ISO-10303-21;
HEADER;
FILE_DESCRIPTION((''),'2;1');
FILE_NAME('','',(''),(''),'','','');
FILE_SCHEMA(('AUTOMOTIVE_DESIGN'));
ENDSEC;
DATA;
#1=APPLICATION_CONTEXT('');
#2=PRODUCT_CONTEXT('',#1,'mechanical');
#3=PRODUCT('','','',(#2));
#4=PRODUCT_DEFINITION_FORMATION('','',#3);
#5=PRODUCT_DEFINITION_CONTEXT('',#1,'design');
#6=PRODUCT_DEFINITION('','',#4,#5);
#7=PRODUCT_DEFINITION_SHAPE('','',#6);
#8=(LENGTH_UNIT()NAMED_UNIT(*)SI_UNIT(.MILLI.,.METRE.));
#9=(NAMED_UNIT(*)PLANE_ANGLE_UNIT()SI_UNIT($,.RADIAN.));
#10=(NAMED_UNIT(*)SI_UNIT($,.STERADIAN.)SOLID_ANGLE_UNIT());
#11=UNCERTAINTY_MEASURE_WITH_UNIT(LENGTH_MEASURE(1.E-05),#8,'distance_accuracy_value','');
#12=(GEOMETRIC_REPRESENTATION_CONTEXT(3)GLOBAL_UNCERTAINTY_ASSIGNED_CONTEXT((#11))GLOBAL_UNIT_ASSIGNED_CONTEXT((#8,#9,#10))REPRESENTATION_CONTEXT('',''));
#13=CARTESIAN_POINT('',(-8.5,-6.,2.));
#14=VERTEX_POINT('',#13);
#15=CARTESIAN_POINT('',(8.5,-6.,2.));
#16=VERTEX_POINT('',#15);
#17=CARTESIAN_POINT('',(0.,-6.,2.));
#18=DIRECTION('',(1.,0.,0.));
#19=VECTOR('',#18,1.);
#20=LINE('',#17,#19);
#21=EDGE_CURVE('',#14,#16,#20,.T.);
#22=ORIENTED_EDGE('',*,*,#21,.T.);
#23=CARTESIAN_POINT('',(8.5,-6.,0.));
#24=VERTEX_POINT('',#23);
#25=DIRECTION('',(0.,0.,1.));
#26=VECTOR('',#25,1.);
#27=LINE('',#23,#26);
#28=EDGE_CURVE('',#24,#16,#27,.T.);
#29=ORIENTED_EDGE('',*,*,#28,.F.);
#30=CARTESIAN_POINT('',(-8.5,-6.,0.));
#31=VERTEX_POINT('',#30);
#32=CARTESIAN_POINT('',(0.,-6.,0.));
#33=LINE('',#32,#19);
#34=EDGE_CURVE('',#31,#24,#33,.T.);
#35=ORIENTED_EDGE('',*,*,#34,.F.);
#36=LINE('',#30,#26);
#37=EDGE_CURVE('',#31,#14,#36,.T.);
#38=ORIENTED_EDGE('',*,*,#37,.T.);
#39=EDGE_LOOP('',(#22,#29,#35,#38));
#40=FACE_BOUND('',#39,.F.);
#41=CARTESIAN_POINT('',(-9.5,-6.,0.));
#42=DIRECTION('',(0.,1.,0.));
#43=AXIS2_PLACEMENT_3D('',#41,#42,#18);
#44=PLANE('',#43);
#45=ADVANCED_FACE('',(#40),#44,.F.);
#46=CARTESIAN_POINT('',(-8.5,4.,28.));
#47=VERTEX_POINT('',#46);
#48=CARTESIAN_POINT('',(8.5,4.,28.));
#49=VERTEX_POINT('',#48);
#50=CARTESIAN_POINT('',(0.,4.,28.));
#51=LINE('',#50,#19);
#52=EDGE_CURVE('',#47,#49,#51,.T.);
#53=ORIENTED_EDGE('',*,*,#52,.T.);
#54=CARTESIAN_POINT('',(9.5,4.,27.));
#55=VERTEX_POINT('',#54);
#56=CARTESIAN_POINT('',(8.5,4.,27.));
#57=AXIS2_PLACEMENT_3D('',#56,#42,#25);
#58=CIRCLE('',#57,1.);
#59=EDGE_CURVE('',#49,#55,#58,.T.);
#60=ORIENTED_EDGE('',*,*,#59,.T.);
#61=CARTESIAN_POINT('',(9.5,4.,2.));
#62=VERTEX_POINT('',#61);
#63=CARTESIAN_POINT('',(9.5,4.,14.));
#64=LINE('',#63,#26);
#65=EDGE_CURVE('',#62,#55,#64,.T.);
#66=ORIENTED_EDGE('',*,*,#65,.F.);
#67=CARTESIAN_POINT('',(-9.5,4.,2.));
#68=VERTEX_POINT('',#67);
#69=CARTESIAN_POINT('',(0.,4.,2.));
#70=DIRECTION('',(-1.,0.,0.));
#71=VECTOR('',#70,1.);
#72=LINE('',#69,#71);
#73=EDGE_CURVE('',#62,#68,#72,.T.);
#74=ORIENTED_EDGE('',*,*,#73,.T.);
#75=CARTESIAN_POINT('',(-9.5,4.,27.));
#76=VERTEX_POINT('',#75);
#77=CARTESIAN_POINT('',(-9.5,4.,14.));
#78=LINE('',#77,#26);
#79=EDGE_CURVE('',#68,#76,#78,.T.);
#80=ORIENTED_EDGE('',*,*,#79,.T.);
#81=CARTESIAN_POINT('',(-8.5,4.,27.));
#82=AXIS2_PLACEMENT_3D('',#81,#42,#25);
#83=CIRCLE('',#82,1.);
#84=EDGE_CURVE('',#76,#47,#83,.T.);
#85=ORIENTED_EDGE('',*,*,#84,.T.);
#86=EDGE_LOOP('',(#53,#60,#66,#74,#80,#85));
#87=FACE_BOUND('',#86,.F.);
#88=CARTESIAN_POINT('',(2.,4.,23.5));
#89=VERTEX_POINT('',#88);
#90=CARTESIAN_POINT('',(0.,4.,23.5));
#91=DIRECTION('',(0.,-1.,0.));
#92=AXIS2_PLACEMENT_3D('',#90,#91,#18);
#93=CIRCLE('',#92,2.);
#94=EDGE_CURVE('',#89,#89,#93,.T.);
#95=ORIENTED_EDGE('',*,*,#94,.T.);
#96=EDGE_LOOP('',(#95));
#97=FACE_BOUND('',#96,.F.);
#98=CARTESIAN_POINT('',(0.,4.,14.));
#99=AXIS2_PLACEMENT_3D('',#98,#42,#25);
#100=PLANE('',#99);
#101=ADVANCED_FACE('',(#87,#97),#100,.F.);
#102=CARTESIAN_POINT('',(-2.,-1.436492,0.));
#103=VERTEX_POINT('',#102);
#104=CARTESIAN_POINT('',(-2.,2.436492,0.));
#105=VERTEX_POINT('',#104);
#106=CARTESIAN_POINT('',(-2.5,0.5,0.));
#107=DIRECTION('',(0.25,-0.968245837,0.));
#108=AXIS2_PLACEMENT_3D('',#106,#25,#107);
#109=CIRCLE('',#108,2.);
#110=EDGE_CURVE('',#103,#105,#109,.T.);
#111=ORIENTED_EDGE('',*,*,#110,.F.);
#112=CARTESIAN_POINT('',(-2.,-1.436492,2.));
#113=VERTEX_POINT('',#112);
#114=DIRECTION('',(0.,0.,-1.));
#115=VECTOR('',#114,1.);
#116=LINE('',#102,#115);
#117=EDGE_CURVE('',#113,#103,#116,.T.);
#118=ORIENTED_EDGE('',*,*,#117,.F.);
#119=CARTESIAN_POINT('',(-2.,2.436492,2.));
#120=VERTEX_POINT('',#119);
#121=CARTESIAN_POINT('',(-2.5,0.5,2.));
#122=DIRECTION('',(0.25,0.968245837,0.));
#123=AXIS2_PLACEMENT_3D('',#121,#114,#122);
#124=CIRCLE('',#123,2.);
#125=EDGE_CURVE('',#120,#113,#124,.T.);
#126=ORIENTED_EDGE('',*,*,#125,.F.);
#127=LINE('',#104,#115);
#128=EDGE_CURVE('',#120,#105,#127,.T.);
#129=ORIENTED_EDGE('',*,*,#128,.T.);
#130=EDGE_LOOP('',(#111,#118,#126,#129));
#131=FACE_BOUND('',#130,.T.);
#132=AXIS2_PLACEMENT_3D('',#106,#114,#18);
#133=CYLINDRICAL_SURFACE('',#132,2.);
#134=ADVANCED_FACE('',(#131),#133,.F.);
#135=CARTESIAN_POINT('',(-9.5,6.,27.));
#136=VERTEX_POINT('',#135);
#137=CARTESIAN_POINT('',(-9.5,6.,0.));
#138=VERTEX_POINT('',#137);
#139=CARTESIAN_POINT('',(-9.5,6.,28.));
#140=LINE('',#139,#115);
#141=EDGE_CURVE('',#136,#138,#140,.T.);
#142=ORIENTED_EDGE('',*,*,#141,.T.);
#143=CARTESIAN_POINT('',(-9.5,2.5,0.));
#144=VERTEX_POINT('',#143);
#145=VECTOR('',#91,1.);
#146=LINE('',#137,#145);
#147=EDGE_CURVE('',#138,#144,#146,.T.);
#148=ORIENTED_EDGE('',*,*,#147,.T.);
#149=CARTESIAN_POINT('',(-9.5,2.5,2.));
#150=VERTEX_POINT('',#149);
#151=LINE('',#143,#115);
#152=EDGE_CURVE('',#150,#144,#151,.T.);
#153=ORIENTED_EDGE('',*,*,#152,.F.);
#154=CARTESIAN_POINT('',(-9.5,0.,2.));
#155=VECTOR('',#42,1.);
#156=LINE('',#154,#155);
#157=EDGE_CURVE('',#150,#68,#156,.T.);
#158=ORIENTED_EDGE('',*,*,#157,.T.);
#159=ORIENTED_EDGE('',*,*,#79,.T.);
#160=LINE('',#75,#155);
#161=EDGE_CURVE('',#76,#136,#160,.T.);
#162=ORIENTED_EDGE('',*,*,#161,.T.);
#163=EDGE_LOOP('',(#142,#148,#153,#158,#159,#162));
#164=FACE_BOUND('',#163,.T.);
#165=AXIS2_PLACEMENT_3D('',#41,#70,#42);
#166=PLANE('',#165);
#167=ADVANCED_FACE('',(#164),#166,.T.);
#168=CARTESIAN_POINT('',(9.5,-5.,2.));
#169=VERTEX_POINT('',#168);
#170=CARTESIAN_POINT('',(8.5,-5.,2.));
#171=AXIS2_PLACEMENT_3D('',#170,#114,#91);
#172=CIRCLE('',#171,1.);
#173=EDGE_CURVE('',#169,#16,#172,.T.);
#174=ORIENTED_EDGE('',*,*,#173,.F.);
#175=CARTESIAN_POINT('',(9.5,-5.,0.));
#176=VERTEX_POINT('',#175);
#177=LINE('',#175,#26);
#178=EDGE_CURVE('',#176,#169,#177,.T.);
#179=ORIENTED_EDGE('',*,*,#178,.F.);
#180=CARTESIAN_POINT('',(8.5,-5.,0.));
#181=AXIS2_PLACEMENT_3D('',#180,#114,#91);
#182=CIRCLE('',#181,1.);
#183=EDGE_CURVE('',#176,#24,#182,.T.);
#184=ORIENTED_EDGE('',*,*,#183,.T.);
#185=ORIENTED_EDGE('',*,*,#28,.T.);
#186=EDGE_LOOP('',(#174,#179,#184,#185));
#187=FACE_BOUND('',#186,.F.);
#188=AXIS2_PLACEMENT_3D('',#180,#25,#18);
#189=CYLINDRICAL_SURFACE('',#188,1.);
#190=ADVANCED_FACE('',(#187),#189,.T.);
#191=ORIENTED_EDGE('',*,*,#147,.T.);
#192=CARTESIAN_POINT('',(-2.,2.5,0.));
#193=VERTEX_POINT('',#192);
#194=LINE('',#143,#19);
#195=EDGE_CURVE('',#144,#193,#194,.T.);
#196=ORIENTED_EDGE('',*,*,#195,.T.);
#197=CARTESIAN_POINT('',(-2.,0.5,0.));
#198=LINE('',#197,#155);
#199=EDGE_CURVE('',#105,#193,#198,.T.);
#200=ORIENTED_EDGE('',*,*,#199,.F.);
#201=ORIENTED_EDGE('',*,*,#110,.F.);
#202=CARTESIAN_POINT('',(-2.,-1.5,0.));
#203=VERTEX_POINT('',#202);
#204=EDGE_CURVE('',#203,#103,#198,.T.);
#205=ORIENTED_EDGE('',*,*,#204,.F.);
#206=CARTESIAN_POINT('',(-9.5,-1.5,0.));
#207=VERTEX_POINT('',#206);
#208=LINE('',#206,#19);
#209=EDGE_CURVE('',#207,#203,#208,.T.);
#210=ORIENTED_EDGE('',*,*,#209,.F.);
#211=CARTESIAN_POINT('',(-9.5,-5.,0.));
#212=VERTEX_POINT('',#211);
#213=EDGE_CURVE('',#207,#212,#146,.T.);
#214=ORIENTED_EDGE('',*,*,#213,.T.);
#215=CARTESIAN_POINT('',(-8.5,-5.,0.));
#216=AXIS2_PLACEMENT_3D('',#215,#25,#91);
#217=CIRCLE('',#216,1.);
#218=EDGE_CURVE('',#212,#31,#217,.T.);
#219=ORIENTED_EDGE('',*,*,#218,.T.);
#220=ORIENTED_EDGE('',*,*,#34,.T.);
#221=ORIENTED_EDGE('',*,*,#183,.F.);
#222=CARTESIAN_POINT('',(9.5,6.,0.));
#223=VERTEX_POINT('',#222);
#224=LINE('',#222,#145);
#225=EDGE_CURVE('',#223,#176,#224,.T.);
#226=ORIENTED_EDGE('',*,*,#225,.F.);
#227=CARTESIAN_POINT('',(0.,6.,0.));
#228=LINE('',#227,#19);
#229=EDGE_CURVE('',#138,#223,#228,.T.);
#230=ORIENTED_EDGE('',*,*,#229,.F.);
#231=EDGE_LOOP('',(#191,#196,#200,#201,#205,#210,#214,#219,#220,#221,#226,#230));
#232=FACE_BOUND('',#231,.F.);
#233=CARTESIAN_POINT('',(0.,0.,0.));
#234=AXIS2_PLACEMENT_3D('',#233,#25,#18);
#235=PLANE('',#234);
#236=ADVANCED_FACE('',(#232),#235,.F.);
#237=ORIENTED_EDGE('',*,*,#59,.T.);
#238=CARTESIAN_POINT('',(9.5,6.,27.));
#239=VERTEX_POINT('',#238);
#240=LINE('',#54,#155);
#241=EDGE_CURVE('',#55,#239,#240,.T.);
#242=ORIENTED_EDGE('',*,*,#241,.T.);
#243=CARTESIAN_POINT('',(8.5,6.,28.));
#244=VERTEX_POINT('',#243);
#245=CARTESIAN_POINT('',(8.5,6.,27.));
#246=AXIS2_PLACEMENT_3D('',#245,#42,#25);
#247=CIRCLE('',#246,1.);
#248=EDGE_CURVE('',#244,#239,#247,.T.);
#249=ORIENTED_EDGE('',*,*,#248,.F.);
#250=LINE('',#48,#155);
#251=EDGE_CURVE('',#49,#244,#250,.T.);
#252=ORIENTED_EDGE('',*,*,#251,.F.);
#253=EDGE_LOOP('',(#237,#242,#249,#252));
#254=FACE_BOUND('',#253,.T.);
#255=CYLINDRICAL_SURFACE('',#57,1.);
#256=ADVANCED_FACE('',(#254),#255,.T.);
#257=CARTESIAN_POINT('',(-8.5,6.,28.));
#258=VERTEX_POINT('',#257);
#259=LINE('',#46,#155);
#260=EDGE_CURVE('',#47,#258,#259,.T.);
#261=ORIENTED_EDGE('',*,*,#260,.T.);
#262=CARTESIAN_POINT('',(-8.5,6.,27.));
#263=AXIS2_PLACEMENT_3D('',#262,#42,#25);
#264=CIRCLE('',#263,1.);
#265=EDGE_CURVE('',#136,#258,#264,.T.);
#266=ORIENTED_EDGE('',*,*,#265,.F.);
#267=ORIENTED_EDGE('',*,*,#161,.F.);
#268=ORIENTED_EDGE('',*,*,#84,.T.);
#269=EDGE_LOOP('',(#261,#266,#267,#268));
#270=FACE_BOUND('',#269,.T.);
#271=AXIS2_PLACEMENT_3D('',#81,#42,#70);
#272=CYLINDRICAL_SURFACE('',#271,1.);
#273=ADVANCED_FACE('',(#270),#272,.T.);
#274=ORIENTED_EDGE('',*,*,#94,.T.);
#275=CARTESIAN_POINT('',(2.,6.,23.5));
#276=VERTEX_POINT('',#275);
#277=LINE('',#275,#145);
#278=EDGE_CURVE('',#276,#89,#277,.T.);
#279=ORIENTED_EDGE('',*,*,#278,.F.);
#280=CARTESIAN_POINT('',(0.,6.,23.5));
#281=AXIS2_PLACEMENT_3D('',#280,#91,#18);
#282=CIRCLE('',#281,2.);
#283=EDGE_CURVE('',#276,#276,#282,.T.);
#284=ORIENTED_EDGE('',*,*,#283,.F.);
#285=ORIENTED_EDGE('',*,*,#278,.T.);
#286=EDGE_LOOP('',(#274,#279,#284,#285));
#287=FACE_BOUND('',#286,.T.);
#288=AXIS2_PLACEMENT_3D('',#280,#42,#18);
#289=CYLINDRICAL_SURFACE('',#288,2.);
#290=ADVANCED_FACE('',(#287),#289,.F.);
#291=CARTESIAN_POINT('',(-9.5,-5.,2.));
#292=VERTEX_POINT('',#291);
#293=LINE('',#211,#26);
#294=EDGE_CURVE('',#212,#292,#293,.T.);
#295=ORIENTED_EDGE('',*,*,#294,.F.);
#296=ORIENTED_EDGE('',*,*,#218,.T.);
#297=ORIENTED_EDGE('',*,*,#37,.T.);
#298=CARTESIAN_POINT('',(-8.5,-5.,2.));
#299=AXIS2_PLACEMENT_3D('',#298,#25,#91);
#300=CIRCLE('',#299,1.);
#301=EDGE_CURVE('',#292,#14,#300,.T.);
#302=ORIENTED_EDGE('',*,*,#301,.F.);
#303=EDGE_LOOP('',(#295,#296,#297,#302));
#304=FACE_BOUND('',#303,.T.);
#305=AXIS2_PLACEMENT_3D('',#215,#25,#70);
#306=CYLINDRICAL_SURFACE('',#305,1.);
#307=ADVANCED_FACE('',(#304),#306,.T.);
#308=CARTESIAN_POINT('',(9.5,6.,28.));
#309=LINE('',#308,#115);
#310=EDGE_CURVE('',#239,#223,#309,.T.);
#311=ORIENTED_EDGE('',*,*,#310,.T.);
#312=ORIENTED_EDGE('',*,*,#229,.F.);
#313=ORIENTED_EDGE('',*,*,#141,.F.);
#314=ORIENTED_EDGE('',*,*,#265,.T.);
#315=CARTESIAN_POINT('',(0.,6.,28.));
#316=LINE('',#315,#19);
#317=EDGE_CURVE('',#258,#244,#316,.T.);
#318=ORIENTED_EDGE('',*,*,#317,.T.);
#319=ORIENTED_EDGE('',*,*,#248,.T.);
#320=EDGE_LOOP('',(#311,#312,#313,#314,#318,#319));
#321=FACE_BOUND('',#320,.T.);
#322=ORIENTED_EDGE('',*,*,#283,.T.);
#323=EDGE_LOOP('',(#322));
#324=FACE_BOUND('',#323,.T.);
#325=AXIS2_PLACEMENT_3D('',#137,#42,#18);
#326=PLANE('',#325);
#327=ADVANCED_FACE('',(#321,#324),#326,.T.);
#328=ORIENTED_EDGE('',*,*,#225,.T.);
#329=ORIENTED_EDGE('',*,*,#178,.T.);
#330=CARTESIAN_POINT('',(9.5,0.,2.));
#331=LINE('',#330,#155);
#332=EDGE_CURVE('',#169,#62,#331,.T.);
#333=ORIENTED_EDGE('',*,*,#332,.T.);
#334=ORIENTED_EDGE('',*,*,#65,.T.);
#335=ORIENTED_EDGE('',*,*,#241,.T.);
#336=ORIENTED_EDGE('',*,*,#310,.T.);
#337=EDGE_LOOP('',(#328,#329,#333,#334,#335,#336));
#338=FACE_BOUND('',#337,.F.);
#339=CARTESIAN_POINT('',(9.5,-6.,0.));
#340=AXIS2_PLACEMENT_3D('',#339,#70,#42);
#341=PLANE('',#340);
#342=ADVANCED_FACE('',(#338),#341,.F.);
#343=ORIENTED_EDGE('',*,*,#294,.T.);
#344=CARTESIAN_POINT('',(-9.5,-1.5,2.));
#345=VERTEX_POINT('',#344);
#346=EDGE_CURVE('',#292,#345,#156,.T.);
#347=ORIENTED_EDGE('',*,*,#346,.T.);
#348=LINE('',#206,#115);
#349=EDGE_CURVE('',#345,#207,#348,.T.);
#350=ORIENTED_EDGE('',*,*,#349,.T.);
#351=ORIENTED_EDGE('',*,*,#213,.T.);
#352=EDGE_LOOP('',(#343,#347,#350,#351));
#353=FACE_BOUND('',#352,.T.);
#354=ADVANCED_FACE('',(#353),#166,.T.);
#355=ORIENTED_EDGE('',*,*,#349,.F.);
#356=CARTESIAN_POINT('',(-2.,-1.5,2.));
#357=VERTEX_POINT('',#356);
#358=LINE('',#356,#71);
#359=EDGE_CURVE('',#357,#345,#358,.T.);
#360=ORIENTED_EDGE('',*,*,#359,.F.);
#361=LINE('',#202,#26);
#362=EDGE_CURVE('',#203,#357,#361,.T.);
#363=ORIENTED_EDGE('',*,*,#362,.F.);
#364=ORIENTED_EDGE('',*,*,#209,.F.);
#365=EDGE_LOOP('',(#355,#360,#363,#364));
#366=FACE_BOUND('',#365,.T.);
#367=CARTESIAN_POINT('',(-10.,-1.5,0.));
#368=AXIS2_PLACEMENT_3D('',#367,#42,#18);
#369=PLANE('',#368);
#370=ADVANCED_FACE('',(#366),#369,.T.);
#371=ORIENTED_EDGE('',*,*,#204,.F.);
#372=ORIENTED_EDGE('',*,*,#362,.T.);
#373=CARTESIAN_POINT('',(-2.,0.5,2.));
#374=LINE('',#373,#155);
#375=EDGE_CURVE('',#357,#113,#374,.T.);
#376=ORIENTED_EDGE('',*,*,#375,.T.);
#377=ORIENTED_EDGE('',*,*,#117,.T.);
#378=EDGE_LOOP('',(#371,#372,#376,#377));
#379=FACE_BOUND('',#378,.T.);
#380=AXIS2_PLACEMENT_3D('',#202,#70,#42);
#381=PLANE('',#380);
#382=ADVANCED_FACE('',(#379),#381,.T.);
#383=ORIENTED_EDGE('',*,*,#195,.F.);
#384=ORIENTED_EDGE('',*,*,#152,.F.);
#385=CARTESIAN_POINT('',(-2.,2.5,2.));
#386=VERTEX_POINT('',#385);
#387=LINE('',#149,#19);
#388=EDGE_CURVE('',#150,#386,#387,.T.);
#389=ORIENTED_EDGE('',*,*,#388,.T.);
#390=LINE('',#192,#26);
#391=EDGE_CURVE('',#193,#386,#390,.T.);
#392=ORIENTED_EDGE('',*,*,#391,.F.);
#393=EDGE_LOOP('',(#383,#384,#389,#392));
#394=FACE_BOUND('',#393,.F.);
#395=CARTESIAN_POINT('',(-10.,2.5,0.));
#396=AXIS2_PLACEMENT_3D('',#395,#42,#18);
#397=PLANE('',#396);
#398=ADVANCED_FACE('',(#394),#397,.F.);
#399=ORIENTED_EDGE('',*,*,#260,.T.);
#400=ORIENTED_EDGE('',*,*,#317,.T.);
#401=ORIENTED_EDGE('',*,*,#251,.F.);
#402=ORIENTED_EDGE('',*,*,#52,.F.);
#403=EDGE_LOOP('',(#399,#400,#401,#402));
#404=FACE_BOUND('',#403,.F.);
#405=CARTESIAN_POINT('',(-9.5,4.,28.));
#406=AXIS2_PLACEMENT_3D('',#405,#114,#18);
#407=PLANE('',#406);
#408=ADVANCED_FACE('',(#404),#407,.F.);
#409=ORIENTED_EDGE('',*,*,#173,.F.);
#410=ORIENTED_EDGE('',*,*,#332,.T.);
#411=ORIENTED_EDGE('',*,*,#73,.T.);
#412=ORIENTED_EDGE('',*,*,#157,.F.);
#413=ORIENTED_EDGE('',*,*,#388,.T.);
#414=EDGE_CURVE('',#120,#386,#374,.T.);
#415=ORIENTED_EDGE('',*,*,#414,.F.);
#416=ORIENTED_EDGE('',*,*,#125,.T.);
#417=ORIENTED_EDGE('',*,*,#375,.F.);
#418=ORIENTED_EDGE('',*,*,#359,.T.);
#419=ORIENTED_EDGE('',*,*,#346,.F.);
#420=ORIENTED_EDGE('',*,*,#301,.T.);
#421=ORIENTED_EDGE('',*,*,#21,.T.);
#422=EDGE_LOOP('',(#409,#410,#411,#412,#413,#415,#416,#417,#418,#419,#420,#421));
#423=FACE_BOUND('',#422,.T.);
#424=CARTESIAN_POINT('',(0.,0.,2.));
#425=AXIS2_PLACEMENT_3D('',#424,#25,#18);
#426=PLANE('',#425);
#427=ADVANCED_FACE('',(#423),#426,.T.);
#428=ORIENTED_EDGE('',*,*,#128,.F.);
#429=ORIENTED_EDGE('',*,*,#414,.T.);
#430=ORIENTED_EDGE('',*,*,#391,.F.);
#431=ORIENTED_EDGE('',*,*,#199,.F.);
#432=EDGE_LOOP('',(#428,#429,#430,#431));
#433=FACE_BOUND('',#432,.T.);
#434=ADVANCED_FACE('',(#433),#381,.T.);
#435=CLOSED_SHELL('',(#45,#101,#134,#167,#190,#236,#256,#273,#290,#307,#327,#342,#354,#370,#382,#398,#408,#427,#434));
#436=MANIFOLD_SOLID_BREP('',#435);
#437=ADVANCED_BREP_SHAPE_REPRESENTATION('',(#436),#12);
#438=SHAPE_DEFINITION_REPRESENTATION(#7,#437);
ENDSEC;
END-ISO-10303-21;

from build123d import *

# Parameters (mm, degrees)
BOX_W             = 19
BOX_H             = 12
BOX_DEPTH         = 2
BOX001_W          = 28
BOX001_H          = 19
BOX001_DEPTH      = 2
CYLINDER_R        = 2
CYLINDER_DEPTH    = 2
BOX002_W          = 8
BOX002_H          = 4
BOX002_DEPTH      = 2
CYLINDER001_R     = 2
CYLINDER001_DEPTH = 2
FILLET_R          = 1


with BuildPart() as part:
    # Box → Box (join)
    with BuildSketch(Plane(origin=(-9.5, -6, 0), x_dir=(1, 0, 0), z_dir=(0, 0, 1))):
        with Locations((9.5, 6)):
            Rectangle(BOX_W, BOX_H)
    extrude(amount=BOX_DEPTH)

    # Box001 → Box001 (join)
    with BuildSketch(Plane(origin=(-9.5, 4, 0), x_dir=(0, 0, 1), z_dir=(0, 1, 0))):
        with Locations((14, 9.5)):
            Rectangle(BOX001_W, BOX001_H)
    extrude(amount=BOX001_DEPTH)

    # Cylinder → Cylinder (cut)
    with BuildSketch(Plane(origin=(-2.5, 0.5, 0), x_dir=(1, 0, 0), z_dir=(0, 0, 1))):
        Circle(CYLINDER_R)
    extrude(amount=CYLINDER_DEPTH, mode=Mode.SUBTRACT)

    # Box002 → Box002 (cut)
    with BuildSketch(Plane(origin=(-10, -1.5, 0), x_dir=(1, 0, 0), z_dir=(0, 0, 1))):
        with Locations((4, 2)):
            Rectangle(BOX002_W, BOX002_H)
    extrude(amount=BOX002_DEPTH, mode=Mode.SUBTRACT)

    # Cylinder001 → Cylinder001 (cut)
    with BuildSketch(Plane(origin=(0, 6, 23.5), x_dir=(1, 0, 0), z_dir=(0, -1, 0))):
        Circle(CYLINDER001_R)
    extrude(amount=CYLINDER001_DEPTH, mode=Mode.SUBTRACT)

    # Fillet
    fillet_edges = [part.edges().sort_by_distance(p)[0] for p in [
        (-9.5, 5, 28),
        (9.5, 5, 28),
        (9.5, -6, 1),
        (-9.5, -6, 1),
    ]]
    fillet(fillet_edges, radius=FILLET_R)


solid = part.part
